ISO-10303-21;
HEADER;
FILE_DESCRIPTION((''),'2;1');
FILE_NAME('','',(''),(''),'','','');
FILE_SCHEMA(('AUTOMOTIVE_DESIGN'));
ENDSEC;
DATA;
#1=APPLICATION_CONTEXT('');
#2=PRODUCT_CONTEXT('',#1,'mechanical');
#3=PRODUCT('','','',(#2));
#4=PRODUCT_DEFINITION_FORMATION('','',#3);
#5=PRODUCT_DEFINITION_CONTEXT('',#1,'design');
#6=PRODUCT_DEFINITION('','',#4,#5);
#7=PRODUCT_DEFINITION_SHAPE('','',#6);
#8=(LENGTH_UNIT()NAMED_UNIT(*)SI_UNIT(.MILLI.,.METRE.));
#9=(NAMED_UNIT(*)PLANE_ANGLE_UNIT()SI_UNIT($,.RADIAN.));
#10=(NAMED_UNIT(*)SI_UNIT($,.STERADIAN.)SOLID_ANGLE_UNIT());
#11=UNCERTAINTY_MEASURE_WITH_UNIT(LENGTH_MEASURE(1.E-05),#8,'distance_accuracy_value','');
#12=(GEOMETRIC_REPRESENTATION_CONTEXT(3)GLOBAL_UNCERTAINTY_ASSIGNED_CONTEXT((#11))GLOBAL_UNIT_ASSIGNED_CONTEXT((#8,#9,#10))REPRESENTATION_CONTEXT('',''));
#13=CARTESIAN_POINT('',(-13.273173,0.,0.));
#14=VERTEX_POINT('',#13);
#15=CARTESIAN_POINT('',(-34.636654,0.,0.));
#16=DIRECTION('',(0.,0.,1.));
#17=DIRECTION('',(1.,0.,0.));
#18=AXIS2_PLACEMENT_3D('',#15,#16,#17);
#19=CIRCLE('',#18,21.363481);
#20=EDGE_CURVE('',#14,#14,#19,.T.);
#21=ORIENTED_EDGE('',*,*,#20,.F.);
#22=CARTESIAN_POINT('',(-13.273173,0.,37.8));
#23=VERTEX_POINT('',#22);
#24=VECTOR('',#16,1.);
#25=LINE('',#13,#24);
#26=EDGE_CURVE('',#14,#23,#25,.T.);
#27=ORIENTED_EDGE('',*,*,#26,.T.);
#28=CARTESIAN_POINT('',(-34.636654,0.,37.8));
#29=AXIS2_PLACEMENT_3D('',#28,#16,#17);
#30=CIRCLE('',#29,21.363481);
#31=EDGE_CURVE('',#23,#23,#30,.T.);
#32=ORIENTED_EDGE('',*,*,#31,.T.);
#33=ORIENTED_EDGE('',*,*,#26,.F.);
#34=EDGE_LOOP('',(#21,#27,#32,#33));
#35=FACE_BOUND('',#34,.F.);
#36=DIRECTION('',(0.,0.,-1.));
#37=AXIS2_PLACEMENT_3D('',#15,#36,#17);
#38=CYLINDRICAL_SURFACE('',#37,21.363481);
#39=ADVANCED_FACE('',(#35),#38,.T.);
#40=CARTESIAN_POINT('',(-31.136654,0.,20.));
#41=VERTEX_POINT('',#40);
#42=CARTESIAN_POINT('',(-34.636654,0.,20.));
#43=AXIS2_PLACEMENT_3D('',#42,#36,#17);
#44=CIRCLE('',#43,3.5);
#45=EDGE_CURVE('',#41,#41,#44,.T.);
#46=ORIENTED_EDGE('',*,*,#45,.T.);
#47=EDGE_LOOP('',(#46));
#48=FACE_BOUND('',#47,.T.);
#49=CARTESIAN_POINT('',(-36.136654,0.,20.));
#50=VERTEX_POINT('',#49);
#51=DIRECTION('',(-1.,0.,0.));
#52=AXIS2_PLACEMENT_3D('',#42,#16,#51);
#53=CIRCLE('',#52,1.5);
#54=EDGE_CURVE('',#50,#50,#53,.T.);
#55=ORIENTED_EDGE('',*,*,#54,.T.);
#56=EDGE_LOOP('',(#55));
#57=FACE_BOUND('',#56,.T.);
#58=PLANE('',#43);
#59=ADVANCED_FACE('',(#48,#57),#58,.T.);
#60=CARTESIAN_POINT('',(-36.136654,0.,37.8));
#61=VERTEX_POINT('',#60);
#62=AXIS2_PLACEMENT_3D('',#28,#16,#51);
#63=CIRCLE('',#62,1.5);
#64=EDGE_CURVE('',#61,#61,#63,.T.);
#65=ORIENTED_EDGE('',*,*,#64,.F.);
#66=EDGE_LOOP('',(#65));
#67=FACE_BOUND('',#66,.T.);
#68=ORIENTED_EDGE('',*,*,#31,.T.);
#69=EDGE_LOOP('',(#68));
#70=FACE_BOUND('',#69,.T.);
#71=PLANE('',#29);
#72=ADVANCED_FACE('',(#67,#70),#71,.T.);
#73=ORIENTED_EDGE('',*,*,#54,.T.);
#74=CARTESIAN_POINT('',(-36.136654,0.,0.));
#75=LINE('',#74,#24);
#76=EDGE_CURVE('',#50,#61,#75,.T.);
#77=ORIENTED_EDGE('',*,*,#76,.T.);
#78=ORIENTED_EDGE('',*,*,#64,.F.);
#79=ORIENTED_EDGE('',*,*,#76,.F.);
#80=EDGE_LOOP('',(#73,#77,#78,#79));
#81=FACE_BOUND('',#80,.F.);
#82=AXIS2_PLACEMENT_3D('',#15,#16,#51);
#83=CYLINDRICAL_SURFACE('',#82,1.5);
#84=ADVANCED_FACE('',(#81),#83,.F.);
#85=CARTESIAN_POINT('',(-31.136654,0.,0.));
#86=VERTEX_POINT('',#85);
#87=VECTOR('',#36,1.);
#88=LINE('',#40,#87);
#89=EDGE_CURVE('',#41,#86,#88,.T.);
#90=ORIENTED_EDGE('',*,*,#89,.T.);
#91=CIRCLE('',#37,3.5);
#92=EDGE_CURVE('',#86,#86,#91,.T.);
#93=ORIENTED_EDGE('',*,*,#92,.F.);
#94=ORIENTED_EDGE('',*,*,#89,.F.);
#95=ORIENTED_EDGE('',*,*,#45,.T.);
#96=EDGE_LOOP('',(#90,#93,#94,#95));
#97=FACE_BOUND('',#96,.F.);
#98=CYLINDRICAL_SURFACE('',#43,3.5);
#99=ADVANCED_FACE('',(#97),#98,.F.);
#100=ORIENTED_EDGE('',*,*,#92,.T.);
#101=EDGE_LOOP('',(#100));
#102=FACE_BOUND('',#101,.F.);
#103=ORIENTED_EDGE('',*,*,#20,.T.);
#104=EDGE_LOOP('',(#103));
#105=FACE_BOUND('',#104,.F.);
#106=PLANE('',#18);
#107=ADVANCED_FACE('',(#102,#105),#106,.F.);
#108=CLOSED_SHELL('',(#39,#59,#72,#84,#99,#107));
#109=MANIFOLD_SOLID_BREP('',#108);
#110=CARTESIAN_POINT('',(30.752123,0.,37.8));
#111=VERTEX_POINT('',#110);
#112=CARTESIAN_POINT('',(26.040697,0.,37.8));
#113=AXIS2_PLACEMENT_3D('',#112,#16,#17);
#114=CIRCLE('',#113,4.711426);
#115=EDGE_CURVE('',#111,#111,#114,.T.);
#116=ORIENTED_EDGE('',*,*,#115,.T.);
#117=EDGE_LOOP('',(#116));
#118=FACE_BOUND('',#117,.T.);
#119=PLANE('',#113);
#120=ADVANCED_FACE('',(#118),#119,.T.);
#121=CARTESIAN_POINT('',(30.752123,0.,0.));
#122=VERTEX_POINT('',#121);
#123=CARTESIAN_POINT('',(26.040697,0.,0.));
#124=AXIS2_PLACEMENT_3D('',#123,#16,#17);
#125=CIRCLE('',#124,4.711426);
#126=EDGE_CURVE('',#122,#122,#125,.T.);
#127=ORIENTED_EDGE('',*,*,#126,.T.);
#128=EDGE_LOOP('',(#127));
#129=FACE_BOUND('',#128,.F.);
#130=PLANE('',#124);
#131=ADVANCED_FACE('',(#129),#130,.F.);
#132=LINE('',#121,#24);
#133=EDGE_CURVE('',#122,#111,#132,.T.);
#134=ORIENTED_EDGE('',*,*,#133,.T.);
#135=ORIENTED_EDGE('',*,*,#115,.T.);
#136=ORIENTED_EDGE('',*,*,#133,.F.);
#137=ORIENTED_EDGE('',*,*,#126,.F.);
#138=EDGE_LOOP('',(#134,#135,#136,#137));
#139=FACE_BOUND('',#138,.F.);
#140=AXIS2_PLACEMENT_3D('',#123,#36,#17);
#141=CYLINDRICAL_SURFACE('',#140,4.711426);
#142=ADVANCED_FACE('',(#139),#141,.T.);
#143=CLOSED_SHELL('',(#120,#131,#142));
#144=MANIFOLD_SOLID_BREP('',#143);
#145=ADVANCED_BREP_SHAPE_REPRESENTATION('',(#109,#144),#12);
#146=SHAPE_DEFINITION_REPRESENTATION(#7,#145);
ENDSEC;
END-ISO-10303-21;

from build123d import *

# Parameters (mm, degrees)
F0_R           = 21.363481
F1_DEPTH       = 37.8
F0_R_2         = 4.711426
F2_DEPTH       = 37.8
F3_D           = 3
F3_CBORE_D     = 7
F3_CBORE_DEPTH = 20


with BuildPart() as f1:
    # F0 (on Top) → F1 (new body)
    with BuildSketch(Plane.XY):
        with Locations((-34.636654, 0)):
            Circle(F0_R)
    extrude(amount=F1_DEPTH)

    # F3 (through all)
    with Locations(Plane(origin=(0, 0, 0), x_dir=(1, 0, 0), z_dir=(0, 0, -1))):
        with Locations((-34.636654, 0)):
            CounterBoreHole(F3_D / 2, F3_CBORE_D / 2, F3_CBORE_DEPTH)


with BuildPart() as f2:
    # F0 (on Top) → F2 (new body, through all)
    with BuildSketch(Plane.XY):
        with Locations((26.040697, 0)):
            Circle(F0_R_2)
    extrude(amount=F2_DEPTH)


solid = Compound([f1.part, f2.part])
